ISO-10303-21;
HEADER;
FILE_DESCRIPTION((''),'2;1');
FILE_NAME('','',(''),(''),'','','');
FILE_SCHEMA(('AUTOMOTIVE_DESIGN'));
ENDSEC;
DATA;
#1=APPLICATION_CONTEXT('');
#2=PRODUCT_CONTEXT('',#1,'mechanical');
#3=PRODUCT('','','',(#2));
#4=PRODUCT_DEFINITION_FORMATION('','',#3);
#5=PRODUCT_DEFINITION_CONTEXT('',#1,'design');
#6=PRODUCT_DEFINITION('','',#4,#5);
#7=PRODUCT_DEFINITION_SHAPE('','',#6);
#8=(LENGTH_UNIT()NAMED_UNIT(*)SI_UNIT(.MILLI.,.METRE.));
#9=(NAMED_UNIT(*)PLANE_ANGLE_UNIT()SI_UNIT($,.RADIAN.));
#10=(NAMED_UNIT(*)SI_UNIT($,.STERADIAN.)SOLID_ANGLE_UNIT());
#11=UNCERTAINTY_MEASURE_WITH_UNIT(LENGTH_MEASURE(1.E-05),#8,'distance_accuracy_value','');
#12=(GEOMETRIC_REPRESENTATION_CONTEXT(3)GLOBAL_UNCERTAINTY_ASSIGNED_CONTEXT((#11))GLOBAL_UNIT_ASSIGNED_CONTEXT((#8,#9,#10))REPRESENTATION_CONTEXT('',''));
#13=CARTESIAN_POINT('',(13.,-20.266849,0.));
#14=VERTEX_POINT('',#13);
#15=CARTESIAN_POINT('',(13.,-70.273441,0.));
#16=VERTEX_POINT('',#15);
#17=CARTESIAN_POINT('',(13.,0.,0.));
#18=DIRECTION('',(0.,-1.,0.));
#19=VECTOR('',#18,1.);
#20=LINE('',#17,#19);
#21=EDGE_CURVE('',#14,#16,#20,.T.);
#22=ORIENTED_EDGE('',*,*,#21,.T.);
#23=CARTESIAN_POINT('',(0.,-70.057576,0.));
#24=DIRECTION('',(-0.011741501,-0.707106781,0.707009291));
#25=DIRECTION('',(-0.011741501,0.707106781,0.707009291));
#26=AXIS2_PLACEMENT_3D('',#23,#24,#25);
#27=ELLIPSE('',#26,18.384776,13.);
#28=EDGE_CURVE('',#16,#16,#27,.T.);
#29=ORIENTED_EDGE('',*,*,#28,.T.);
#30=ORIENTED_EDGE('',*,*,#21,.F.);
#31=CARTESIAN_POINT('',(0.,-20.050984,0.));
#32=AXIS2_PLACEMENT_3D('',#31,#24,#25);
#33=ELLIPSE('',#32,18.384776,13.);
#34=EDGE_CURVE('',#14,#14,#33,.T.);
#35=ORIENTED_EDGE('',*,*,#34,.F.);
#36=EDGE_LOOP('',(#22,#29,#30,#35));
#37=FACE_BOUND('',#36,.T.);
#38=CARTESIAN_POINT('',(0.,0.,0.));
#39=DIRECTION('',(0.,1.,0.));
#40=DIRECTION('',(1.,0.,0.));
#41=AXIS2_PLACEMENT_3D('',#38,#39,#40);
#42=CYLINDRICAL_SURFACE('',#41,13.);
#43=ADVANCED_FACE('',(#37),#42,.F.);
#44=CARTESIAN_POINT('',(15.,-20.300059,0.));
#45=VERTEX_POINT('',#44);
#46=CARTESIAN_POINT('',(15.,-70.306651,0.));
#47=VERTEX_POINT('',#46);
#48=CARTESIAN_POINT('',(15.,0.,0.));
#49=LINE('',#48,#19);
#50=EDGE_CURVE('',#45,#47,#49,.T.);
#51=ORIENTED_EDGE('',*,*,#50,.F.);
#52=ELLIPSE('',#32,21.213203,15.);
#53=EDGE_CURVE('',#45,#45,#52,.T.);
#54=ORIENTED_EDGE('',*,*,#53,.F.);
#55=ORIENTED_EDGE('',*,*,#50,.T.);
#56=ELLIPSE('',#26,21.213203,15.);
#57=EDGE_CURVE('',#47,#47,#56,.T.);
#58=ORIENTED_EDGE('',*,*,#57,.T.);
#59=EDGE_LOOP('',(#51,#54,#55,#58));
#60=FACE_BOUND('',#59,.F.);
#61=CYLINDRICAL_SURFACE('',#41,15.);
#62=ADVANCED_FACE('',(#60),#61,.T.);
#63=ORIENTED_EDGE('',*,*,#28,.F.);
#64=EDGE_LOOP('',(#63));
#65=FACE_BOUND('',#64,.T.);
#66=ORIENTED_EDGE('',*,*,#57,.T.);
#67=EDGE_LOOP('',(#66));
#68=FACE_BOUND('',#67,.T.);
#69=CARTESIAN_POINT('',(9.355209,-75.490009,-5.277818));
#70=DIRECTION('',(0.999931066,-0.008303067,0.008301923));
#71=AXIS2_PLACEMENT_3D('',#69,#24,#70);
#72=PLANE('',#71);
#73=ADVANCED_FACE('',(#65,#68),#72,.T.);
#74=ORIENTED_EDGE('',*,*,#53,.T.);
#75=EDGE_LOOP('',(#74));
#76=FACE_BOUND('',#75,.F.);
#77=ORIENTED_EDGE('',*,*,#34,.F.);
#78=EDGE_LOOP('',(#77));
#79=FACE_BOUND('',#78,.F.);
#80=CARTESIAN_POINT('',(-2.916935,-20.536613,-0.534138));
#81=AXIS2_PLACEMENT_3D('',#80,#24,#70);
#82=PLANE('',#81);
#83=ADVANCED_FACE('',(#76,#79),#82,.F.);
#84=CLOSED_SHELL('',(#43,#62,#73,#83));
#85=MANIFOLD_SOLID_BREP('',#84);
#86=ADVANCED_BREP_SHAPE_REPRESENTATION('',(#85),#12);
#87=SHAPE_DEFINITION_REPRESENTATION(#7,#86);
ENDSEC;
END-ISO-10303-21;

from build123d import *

# Parameters (mm, degrees)
F0_R     = 15
F0_R_2   = 13
F1_DEPTH = 100
F5_W     = 78.4293748438
F5_H     = 68.3440808207
F6_DEPTH = 25
F8_W     = 147.4837362766
F8_H     = 68.2909283787
F9_DEPTH = 35


with BuildPart() as f1:
    # F0 (on Front) → F1 (new body)
    with BuildSketch(Plane.XZ):
        Circle(F0_R)
        Circle(F0_R_2, mode=Mode.SUBTRACT)
    extrude(amount=F1_DEPTH)

    # F5 (on offset) → F6 (cut)
    with BuildSketch(Plane(origin=(-0.1664731949, -10.0254920816, 10.0241098435), x_dir=(0.9999310662, -0.0083030673, 0.0083019226), z_dir=(-0.011741501, -0.7071067812, 0.7070092907))):
        with Locations((-2.7506519109, -14.8982955143)):
            Rectangle(F5_W, F5_H)
    extrude(amount=-F6_DEPTH, mode=Mode.SUBTRACT)

    # F8 (on offset) → F9 (cut)
    with BuildSketch(Plane(origin=(-0.5816526691, -35.0287878644, 35.0239583631), x_dir=(0.9999310662, -0.0083030673, 0.0083019226), z_dir=(-0.011741501, -0.7071067812, 0.7070092907))):
        with Locations((9.9375471473, -57.1080548689)):
            Rectangle(F8_W, F8_H)
    extrude(amount=F9_DEPTH, mode=Mode.SUBTRACT)


solid = f1.part
